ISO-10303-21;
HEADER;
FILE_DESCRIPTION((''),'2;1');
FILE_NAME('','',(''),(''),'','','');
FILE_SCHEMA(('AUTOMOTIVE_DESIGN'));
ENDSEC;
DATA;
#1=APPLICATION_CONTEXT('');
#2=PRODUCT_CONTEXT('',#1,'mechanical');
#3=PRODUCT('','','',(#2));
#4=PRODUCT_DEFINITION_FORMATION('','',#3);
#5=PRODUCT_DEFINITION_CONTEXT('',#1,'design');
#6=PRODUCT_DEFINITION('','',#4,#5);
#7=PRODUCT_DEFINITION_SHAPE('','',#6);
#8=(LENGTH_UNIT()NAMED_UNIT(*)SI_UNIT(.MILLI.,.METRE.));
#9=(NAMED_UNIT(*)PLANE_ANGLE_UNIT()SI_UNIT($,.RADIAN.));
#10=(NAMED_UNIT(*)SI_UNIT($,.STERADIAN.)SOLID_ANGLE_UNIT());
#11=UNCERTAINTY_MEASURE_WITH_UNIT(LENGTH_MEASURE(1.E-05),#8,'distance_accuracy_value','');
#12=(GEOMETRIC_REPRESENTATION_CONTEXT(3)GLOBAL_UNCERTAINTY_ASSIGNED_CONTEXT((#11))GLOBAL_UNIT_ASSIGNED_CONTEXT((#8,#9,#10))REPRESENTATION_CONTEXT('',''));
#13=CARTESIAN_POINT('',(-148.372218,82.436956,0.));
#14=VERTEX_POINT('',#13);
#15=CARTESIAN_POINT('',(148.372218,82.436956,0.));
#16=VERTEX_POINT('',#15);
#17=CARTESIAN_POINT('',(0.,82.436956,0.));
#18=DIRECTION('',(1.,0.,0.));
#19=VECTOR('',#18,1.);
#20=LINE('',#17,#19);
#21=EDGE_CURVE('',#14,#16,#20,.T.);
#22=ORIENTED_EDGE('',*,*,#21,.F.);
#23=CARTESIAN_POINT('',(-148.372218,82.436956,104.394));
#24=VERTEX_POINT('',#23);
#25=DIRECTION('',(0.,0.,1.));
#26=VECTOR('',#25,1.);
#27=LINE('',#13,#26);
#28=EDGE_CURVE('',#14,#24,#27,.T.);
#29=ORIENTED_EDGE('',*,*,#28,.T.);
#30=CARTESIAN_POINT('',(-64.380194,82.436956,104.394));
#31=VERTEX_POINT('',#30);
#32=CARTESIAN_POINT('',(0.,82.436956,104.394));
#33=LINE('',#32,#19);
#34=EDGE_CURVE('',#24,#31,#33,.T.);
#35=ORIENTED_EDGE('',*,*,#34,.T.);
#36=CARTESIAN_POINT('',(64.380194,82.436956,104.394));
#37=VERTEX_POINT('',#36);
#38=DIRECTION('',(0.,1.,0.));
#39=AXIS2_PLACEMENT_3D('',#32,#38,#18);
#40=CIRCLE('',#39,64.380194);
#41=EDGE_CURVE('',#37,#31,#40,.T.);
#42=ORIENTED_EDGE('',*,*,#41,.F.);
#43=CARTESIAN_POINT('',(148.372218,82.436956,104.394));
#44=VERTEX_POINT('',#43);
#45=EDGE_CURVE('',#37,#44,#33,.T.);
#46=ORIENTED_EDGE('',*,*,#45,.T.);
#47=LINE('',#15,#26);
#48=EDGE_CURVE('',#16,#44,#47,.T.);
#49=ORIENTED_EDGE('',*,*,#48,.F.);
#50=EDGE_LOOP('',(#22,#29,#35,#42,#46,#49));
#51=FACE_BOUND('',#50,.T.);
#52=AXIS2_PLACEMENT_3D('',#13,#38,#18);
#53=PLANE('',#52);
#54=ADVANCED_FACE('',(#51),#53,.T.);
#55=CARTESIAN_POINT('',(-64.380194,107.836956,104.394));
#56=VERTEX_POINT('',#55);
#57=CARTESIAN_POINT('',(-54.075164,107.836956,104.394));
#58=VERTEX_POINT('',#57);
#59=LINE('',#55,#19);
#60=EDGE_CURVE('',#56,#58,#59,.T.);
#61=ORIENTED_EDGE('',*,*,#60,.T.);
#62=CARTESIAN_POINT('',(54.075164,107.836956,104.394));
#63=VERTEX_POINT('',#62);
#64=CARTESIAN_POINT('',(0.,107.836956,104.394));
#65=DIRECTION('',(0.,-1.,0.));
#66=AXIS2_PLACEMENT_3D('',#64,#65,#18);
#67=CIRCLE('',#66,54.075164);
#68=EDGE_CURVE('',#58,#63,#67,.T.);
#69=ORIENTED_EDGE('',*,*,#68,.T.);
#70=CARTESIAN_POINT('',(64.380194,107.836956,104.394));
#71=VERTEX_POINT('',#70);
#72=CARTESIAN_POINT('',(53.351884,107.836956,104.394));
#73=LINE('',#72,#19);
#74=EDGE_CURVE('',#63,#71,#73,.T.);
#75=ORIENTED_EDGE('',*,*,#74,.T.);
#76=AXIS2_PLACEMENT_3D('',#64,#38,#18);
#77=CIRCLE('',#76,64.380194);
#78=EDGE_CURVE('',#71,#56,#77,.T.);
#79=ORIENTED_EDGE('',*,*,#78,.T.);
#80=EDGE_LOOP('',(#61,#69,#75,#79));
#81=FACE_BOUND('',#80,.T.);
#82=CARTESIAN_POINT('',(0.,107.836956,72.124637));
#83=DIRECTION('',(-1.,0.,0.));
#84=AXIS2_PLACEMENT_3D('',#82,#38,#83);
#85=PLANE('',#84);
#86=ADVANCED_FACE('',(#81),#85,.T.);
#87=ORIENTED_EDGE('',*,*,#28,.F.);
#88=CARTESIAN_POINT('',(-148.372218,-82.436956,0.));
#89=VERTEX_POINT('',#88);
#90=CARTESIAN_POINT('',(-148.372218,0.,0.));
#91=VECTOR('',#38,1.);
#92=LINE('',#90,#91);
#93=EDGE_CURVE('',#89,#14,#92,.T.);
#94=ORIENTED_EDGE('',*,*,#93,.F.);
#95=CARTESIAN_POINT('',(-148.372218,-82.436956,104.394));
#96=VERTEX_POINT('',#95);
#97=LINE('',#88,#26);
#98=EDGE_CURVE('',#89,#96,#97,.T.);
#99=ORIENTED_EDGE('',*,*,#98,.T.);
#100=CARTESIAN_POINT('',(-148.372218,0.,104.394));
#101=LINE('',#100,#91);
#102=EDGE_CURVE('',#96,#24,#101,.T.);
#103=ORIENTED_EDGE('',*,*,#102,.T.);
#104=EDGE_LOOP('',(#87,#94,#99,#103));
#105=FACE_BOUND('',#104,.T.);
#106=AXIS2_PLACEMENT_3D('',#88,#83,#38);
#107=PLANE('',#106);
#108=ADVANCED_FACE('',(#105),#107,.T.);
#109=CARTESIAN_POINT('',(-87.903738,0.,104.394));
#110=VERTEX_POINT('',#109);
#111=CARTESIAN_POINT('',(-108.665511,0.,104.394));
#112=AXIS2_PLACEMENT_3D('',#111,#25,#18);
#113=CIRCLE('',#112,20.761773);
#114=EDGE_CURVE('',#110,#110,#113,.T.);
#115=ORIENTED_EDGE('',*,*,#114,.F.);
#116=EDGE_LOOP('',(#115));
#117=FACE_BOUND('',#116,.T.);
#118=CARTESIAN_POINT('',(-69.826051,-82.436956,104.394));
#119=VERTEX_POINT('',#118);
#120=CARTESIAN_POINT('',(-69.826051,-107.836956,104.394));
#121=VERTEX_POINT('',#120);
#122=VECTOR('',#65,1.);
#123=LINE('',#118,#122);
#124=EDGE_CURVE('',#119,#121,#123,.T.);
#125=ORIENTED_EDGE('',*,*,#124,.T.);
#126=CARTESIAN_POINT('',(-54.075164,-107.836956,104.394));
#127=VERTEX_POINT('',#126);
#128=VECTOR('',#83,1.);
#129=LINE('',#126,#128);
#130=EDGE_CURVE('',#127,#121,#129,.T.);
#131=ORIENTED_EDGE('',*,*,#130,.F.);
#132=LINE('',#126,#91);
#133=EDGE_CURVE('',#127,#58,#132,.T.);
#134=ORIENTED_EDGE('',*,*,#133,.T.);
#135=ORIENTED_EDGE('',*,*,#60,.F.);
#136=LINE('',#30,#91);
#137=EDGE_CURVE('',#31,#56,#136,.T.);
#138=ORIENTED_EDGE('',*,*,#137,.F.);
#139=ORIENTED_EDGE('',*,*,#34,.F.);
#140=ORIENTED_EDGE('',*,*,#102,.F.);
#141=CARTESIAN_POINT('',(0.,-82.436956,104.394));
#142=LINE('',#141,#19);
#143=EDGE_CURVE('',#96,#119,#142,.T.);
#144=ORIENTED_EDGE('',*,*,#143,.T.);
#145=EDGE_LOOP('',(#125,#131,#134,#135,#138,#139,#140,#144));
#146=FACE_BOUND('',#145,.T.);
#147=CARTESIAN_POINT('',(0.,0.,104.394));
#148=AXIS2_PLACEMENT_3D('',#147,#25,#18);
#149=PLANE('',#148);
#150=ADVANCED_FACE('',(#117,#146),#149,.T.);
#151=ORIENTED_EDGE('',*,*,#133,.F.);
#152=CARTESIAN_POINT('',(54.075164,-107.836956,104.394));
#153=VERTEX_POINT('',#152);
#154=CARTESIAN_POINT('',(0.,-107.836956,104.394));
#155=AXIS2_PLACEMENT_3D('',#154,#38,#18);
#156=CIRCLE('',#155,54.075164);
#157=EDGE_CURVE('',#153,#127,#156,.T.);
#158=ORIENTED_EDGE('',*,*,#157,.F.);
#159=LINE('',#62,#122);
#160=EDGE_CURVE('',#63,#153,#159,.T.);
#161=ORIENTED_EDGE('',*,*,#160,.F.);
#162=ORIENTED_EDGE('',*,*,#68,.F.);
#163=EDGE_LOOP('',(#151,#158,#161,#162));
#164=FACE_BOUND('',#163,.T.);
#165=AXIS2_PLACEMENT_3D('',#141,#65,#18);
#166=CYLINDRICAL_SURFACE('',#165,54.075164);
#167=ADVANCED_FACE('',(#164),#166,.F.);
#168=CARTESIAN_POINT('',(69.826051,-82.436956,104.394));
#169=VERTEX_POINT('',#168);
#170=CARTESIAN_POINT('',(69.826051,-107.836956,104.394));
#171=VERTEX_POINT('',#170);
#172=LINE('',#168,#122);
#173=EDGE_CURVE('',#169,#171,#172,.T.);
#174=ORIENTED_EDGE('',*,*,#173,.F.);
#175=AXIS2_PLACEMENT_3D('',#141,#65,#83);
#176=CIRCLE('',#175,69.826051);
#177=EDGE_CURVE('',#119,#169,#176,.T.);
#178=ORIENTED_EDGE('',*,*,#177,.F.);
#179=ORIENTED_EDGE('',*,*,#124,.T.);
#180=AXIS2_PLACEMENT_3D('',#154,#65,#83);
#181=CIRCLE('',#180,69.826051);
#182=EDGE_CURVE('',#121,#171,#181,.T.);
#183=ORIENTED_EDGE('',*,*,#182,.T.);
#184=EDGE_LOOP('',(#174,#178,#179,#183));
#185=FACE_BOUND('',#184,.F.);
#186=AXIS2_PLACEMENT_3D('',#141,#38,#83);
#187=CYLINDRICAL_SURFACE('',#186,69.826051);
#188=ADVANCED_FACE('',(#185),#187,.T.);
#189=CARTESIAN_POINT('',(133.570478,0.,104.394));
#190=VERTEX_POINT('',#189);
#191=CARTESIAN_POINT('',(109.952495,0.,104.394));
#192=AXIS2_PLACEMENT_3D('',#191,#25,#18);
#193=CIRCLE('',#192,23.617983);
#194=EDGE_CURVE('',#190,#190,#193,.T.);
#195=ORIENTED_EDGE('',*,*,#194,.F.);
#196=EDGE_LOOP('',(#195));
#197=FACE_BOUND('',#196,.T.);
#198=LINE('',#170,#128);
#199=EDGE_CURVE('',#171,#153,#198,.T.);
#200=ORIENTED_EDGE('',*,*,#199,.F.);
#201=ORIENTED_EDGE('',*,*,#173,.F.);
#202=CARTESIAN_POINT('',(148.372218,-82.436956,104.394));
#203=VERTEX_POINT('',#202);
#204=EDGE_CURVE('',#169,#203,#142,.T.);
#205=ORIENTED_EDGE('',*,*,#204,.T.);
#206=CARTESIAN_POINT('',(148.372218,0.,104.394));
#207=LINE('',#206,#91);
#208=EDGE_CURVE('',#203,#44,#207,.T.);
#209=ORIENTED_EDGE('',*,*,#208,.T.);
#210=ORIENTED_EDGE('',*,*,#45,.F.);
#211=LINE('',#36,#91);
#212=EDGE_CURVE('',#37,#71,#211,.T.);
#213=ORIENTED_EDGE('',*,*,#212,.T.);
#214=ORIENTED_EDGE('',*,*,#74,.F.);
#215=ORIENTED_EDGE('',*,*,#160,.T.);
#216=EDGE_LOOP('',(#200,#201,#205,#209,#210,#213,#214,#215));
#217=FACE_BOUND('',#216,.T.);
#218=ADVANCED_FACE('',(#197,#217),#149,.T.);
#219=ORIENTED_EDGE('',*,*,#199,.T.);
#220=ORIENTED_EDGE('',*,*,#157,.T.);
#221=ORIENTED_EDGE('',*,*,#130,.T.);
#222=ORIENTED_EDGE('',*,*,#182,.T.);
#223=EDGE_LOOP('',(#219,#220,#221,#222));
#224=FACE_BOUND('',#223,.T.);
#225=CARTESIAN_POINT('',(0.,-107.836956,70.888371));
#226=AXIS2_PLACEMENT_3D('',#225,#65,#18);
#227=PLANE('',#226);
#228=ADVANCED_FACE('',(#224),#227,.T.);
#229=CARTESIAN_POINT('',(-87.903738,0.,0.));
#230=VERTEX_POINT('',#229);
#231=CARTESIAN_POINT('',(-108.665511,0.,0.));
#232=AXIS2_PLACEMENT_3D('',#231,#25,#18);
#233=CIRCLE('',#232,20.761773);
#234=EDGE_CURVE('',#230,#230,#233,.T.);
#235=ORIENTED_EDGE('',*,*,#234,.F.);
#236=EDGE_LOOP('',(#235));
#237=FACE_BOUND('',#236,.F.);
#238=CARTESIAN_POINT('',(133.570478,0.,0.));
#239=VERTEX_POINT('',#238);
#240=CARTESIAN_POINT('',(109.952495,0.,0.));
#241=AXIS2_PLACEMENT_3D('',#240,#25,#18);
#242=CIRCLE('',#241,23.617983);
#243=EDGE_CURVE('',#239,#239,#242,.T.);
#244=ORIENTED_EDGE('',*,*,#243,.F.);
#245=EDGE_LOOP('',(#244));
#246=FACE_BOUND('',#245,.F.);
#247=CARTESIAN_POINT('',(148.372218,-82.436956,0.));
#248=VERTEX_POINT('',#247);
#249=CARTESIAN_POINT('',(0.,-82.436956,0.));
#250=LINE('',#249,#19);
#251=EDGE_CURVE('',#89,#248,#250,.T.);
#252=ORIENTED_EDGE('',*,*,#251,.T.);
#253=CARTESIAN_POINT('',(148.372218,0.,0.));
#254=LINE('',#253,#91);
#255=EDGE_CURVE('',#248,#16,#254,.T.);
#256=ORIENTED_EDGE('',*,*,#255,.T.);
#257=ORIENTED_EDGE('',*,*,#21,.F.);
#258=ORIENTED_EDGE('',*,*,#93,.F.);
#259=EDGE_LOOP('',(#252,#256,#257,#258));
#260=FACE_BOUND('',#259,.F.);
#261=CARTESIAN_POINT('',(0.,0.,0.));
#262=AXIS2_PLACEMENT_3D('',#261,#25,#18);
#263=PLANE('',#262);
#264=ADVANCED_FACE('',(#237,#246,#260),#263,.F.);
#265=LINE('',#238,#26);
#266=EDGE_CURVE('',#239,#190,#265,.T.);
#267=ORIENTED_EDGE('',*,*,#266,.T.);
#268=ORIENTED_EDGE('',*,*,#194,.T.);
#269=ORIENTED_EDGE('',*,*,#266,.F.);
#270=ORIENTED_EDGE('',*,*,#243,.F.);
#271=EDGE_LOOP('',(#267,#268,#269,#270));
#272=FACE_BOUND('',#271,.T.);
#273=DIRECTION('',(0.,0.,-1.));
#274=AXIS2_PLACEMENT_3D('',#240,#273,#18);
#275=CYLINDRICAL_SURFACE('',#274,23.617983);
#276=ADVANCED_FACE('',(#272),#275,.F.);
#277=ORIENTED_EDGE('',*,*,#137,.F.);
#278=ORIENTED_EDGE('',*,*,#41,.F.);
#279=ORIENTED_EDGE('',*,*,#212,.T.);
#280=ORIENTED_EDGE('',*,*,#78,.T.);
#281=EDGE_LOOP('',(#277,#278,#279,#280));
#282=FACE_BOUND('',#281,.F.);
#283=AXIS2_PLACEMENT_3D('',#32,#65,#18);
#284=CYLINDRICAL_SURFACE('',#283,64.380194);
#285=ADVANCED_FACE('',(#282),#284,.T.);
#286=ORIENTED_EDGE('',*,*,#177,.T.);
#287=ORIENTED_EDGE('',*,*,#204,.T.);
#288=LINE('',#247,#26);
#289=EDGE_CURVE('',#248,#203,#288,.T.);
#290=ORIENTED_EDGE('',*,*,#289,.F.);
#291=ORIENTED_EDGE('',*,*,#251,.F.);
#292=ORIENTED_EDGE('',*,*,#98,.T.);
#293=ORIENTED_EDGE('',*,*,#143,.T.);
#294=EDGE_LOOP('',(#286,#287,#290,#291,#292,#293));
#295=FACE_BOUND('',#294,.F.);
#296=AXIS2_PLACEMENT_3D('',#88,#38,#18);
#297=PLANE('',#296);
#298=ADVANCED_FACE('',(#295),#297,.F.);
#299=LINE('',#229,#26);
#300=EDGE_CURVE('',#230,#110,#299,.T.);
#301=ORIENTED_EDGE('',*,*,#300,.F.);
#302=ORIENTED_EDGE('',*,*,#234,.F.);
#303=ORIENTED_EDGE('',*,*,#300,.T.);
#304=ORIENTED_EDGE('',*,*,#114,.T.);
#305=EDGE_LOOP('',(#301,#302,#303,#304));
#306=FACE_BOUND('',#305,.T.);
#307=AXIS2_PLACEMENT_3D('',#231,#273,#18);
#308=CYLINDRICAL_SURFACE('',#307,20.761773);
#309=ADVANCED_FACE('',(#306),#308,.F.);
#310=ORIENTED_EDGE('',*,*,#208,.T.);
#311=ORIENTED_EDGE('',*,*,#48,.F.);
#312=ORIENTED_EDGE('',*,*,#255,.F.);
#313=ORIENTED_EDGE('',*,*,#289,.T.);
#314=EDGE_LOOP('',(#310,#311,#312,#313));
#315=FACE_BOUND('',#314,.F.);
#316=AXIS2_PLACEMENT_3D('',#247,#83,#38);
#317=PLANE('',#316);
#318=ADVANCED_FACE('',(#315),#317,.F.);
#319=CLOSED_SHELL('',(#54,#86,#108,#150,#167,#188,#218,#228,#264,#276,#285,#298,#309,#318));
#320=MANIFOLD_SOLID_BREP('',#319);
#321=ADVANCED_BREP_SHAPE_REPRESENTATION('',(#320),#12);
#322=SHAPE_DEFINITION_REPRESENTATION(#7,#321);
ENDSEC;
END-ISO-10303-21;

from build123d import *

# Parameters (mm, degrees)
F0_W     = 296.7444360256
F0_H     = 164.8739129305
F0_R     = 20.7617734551
F0_R_2   = 23.6179830604
F1_DEPTH = 104.394
F3_DEPTH = 25.4
F5_DEPTH = 25.4
F6_DEPTH = 237.998


with BuildPart() as f1:
    # F0 (on Top) → F1 (new body)
    with BuildSketch(Plane.XY):
        Rectangle(F0_W, F0_H)
        with Locations((-108.6655110121, 0)):
            Circle(F0_R, mode=Mode.SUBTRACT)
        with Locations((109.9524945021, 0)):
            Circle(F0_R_2, mode=Mode.SUBTRACT)
    extrude(amount=F1_DEPTH)

    # F2 (on face) → F3 (join)
    with BuildSketch(Plane.XZ.offset(82.4369564652)):
        with BuildLine():
            ThreePointArc((-69.8260508727, 104.394), (0, 34.5679491273), (69.8260508727, 104.394))
            Line((69.8260508727, 104.394), (54.0751636947, 104.394))
            ThreePointArc((54.0751636947, 104.394), (0, 50.3188363053), (-54.0751636947, 104.394))
            Line((-54.0751636947, 104.394), (-69.8260508727, 104.394))
        make_face()
    extrude(amount=F3_DEPTH)

    # F4 (on face) → F5 (join)
    with BuildSketch(Plane(origin=(0, 82.4369564652, 0), x_dir=(-1, 0, 0), z_dir=(0, 1, 0))):
        with BuildLine():
            Line((64.3801944151, 104.394), (53.3518843102, 104.394))
            ThreePointArc((53.3518843102, 104.394), (0, 51.0421156898), (-53.3518843102, 104.394))
            Line((-53.3518843102, 104.394), (-64.3801944151, 104.394))
            ThreePointArc((-64.3801944151, 104.394), (0, 40.0138055849), (64.3801944151, 104.394))
        make_face()
    extrude(amount=F5_DEPTH)

    # F6 (cut): a face of the model
    f6_faces = [f1.faces().sort_by_distance(p)[0] for p in [
        (0, -82.4369564652, 81.443787732),
    ]]
    extrude(f6_faces, amount=-F6_DEPTH, mode=Mode.SUBTRACT)


solid = f1.part
